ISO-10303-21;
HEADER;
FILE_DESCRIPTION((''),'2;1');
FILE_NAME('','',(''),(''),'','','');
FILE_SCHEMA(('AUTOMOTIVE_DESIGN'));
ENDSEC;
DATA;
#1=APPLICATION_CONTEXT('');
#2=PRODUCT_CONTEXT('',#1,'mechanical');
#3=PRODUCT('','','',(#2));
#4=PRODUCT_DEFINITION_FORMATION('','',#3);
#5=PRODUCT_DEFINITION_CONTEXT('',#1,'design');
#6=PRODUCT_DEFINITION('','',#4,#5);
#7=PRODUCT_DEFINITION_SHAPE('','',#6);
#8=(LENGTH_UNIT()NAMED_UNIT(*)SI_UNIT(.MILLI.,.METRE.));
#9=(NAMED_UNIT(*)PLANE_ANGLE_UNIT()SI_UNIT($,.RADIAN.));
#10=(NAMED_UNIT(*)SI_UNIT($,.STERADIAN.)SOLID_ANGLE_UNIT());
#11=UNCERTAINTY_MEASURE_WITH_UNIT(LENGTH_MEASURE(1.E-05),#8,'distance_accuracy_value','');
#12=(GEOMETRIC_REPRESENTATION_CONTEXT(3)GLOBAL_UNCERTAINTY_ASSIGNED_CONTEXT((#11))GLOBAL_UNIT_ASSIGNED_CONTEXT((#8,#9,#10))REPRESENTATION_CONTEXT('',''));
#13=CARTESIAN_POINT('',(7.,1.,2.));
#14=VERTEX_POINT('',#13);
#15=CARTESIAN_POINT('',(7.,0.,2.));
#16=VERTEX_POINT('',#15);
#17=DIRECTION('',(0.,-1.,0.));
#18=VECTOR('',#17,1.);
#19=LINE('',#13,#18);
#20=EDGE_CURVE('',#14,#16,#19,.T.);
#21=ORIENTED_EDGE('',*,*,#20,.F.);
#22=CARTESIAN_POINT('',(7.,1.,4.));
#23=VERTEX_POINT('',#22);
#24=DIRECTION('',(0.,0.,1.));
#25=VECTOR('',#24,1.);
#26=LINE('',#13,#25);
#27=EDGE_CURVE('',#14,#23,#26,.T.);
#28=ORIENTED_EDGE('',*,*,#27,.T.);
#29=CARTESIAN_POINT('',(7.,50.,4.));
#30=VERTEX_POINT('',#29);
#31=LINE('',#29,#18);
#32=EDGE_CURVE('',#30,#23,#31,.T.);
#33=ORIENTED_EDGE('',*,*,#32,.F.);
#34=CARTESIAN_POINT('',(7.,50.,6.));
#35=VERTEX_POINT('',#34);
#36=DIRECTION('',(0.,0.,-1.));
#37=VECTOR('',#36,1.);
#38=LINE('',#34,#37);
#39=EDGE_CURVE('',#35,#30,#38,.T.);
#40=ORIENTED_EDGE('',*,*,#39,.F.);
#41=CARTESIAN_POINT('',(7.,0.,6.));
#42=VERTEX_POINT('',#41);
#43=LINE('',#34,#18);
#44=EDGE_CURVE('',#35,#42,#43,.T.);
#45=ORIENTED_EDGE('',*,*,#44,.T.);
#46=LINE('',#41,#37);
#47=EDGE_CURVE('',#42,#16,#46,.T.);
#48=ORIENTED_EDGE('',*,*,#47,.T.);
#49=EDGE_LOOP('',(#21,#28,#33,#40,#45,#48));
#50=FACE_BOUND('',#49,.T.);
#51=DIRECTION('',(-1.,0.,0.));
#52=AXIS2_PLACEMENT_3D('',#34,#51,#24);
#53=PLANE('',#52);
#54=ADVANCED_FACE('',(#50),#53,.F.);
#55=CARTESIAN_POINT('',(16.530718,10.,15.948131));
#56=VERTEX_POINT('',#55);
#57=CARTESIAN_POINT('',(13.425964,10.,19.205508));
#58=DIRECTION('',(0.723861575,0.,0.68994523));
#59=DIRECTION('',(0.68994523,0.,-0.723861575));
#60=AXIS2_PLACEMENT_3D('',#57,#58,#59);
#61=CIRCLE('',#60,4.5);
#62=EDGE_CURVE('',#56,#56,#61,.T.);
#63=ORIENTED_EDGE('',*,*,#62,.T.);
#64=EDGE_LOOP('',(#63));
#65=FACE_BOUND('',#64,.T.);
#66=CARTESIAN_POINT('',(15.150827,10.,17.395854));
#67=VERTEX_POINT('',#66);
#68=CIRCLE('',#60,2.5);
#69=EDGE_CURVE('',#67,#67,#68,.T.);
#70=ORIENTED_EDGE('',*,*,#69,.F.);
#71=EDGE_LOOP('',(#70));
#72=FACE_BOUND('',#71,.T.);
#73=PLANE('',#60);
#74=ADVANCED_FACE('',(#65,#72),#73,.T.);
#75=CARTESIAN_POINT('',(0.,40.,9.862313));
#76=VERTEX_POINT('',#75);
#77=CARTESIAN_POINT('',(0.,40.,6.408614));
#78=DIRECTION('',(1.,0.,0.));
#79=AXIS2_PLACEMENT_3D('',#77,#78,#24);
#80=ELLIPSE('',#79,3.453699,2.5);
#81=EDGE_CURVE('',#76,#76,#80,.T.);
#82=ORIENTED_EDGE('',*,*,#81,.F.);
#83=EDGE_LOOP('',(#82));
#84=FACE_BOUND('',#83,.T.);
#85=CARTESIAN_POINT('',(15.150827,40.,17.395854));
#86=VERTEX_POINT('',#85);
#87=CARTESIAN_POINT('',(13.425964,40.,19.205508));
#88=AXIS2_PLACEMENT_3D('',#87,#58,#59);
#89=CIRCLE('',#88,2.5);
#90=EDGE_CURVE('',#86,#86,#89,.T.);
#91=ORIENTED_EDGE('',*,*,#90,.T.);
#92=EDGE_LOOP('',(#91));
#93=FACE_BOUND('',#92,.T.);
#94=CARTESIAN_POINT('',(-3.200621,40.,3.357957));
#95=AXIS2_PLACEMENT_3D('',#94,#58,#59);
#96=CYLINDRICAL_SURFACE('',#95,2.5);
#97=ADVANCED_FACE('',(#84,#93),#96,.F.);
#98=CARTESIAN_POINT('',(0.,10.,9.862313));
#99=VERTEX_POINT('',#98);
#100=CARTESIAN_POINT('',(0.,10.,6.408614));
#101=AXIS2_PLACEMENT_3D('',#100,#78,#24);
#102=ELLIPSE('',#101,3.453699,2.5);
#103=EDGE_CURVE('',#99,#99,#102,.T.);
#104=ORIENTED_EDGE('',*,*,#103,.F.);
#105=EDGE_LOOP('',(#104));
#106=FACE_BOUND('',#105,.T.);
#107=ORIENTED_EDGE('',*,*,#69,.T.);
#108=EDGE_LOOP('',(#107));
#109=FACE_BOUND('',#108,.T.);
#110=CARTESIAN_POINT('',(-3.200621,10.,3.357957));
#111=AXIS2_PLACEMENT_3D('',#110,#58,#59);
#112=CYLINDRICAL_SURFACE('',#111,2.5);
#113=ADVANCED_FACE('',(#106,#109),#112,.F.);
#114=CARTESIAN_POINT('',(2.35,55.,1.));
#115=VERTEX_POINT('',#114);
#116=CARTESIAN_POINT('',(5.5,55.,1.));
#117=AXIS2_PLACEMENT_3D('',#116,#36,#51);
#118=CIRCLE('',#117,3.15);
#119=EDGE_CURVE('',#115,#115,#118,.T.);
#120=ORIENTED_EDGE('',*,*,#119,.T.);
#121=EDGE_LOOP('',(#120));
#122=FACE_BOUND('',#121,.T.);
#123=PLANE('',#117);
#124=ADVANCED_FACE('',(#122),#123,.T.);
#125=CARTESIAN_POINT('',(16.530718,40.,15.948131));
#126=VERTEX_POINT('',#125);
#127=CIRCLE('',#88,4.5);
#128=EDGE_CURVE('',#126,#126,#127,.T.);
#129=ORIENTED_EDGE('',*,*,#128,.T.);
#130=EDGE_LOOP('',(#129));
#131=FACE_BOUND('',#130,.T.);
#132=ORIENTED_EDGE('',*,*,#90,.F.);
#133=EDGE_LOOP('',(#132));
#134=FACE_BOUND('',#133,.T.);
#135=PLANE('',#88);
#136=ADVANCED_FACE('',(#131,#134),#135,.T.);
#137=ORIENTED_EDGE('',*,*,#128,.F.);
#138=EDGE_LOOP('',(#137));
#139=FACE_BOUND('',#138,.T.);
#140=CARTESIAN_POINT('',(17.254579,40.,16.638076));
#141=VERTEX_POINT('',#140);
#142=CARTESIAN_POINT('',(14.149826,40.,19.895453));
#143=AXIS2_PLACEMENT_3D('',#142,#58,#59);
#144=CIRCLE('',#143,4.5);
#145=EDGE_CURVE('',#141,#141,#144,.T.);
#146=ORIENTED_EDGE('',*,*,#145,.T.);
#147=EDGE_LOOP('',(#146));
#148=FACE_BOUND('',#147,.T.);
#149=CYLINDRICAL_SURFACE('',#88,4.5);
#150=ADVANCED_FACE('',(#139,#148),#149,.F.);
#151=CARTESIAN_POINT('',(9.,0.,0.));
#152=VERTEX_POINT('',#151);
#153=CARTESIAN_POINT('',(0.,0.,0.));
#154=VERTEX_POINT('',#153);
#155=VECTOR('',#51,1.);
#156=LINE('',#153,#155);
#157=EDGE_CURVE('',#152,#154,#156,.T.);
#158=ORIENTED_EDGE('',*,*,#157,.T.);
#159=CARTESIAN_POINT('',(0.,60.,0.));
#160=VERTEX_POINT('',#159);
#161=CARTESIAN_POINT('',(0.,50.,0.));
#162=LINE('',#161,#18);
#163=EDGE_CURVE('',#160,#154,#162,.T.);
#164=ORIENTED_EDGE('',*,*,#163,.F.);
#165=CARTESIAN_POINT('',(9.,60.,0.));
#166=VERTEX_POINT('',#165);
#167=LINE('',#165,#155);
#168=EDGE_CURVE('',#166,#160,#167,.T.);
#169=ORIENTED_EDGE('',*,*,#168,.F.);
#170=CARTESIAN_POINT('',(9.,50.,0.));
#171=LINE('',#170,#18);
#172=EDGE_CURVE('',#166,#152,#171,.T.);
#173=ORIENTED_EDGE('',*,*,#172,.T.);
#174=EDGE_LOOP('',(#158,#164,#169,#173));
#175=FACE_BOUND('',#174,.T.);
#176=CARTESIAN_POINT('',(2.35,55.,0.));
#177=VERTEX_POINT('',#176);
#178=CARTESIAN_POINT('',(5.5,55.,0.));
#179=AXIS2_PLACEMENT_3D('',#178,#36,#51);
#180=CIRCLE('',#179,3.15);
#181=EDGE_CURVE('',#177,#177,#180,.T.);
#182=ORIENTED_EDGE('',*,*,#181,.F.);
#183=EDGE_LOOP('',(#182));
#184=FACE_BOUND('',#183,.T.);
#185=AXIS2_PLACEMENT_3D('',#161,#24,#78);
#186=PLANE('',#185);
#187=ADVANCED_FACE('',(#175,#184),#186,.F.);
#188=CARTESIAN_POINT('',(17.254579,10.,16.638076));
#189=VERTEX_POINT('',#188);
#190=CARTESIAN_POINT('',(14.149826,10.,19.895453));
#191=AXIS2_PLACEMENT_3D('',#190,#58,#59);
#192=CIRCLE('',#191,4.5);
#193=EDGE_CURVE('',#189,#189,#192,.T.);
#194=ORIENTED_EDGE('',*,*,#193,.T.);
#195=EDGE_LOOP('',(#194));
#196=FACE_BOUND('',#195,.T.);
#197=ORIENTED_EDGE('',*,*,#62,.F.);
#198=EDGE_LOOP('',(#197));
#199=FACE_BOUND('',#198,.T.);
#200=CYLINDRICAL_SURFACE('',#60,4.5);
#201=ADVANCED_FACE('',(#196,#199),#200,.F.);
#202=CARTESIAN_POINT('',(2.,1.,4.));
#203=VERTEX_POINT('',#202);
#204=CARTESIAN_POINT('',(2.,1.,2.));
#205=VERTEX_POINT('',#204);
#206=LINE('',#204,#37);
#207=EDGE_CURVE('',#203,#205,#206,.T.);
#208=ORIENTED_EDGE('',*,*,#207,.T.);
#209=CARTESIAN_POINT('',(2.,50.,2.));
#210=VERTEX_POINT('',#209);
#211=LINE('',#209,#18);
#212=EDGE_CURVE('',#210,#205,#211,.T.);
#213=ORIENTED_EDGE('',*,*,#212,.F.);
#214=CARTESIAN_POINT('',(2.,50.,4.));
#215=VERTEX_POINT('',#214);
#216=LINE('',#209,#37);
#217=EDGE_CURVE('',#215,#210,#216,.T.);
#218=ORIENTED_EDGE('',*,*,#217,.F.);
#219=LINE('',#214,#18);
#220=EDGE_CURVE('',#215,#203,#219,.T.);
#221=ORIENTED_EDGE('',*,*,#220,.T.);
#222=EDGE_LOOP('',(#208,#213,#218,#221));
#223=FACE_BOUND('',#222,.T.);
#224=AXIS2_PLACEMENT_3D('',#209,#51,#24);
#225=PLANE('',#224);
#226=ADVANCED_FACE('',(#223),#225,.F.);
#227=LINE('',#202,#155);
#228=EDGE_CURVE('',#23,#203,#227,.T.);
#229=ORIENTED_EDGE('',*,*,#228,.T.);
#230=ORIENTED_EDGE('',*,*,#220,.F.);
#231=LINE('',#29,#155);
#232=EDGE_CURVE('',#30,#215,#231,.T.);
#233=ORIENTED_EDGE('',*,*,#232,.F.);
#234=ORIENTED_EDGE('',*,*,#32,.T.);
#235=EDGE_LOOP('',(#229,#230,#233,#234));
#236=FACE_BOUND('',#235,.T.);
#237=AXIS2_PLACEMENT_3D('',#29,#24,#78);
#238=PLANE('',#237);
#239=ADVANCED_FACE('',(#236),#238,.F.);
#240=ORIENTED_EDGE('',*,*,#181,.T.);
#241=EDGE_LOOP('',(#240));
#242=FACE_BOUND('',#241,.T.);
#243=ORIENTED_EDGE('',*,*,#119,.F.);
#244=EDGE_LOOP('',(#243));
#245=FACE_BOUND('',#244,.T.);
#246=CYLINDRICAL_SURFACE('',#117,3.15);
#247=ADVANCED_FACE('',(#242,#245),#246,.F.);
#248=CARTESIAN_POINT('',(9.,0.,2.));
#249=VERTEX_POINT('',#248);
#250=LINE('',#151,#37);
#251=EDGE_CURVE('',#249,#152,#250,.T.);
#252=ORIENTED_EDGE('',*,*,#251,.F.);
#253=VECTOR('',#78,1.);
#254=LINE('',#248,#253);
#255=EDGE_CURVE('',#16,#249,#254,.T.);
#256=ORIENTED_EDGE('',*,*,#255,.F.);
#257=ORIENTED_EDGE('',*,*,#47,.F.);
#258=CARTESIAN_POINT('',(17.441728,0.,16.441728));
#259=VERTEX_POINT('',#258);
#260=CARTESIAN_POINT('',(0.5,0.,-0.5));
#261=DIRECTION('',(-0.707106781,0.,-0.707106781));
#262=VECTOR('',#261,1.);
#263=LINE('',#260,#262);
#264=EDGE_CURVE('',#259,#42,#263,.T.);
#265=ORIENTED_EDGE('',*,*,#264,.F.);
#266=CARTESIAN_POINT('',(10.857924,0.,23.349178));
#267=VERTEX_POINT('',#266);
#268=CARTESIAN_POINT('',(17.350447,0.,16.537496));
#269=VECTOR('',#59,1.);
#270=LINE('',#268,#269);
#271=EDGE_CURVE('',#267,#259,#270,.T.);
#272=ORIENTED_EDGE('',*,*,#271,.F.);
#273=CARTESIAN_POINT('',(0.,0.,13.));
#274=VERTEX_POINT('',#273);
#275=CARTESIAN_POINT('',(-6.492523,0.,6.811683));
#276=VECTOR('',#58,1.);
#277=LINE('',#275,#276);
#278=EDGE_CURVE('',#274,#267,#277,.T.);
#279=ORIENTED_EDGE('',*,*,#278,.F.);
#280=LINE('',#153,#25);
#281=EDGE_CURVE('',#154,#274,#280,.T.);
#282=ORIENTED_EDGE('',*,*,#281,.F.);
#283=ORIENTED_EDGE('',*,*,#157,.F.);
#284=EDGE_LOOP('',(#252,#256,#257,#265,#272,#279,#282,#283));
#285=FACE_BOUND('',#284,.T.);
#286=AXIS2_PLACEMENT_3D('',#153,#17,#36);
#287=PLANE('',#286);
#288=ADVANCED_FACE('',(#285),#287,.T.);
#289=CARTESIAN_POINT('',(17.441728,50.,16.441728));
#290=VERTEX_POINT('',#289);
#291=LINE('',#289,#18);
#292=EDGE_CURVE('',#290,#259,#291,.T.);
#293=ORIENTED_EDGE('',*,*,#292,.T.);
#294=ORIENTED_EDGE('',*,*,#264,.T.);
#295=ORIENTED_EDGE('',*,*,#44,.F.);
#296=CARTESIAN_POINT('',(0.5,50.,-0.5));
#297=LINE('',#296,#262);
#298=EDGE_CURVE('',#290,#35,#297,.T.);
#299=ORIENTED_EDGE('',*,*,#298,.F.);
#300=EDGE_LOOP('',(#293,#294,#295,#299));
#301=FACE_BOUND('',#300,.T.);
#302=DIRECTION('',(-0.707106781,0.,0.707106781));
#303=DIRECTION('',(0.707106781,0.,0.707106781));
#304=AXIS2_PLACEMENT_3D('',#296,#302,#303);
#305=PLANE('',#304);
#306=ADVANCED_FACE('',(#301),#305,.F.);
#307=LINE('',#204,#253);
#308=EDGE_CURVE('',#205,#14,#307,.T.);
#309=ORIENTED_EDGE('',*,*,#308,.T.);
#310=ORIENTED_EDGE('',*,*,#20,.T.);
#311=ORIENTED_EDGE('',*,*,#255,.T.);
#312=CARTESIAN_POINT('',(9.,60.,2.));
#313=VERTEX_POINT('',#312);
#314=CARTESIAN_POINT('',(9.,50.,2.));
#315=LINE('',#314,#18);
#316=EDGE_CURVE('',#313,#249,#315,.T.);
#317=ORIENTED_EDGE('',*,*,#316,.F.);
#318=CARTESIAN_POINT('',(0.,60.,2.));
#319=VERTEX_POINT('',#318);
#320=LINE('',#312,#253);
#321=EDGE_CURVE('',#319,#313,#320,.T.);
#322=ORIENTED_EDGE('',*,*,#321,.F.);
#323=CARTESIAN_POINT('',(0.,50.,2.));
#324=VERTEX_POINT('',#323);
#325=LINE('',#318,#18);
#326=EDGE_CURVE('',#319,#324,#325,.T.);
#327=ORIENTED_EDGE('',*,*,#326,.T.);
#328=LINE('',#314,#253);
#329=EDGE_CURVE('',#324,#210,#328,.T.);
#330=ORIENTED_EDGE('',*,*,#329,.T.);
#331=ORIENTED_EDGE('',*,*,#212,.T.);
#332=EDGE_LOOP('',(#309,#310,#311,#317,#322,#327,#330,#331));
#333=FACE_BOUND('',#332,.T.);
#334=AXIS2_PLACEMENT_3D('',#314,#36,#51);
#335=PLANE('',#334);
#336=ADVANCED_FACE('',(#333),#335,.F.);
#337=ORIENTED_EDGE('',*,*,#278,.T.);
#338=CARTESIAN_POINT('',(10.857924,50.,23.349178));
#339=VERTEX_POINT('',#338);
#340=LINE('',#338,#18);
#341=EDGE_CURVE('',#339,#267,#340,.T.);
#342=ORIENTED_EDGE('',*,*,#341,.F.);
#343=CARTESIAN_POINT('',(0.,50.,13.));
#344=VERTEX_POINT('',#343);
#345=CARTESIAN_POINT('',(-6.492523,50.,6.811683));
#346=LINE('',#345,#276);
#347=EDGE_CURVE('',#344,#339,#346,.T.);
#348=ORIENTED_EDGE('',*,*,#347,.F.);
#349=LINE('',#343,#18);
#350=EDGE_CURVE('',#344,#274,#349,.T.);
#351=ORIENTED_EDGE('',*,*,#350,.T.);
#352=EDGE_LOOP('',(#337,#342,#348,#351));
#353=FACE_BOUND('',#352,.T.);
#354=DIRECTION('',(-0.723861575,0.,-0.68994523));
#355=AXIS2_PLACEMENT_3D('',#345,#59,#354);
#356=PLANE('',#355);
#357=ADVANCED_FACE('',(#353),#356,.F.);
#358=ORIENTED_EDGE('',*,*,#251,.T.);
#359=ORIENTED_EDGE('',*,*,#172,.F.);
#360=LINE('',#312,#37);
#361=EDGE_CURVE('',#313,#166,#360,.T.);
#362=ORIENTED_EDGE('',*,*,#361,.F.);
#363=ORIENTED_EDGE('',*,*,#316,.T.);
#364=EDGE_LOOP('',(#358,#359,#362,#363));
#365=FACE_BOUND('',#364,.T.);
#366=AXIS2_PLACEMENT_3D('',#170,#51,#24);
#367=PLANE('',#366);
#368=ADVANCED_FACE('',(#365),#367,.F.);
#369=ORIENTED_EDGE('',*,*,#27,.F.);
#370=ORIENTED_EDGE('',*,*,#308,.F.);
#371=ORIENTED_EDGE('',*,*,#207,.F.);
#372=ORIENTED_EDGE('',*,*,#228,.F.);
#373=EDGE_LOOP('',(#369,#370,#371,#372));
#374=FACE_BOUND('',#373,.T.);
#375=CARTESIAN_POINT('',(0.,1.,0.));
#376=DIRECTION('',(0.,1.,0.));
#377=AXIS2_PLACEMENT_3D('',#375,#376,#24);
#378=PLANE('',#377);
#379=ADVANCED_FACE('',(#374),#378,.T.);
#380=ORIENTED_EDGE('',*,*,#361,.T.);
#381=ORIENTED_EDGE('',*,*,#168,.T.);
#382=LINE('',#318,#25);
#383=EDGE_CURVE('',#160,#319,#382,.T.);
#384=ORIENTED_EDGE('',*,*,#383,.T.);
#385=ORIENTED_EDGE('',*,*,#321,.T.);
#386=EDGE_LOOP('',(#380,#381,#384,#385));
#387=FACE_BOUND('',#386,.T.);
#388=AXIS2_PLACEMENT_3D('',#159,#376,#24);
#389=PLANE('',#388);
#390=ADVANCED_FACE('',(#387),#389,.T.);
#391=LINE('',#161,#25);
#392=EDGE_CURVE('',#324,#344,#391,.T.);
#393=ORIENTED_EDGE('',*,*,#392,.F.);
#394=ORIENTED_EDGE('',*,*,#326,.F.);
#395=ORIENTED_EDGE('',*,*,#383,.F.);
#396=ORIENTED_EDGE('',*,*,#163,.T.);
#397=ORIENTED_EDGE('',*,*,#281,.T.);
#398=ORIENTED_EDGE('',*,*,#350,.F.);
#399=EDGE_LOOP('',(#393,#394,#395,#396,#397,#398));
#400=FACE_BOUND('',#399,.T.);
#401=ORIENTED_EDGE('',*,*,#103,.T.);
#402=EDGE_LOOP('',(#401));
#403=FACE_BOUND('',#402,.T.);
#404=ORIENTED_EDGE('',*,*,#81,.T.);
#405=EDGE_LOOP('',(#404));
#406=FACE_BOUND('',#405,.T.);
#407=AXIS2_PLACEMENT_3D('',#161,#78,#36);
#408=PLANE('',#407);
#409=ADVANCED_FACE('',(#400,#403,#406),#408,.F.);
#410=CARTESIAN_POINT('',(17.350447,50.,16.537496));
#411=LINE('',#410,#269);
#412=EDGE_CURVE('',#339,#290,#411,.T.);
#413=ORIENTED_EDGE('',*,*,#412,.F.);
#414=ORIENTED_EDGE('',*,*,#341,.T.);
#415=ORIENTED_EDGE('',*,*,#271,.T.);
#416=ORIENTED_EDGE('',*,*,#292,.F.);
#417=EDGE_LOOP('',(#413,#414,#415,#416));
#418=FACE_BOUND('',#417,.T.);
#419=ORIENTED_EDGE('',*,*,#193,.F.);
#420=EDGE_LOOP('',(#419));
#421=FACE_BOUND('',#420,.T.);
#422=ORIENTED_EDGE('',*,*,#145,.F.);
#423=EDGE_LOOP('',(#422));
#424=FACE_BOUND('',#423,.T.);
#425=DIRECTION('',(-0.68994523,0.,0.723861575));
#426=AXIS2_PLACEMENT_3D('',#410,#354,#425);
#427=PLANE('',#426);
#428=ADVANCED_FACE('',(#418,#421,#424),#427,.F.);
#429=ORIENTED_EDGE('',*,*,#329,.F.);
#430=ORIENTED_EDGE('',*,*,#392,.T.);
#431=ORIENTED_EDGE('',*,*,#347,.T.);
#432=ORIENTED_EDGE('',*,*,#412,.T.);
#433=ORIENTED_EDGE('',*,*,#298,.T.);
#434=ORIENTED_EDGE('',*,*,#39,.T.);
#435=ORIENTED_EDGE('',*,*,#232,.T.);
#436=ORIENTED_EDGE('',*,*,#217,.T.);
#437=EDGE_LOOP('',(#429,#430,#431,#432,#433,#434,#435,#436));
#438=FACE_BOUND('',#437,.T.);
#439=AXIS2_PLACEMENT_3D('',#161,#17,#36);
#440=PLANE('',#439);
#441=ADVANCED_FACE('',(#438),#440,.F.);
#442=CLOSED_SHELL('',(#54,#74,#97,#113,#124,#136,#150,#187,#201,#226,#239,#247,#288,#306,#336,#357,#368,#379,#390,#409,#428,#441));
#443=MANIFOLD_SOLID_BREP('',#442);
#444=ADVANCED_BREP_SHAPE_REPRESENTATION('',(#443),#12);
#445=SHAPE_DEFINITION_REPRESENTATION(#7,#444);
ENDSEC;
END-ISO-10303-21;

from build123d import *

# Parameters (mm, degrees)
BOSS_EXTRUDE1_DEPTH = 50
SKETCH2_W           = 9
SKETCH2_H           = 2
BOSS_EXTRUDE2_DEPTH = 10
SKETCH3_R           = 3.15
CUT_EXTRUDE1_DEPTH  = 1
BOSS_EXTRUDE3_DEPTH = 50
SKETCH5_W           = 5
SKETCH5_H           = 2
BOSS_EXTRUDE4_DEPTH = 1
SKETCH6_R           = 4.5
SKETCH6_R_2         = 2.5
CUT_EXTRUDE2_DEPTH  = 1
SKETCH6_2_R         = 2.5
CUT_EXTRUDE3_DEPTH  = 65.610577824


with BuildPart() as part:
    # Sketch1 → Boss-Extrude1 (new body)
    with BuildSketch(Plane(origin=(0, 0, 0), x_dir=(1, 0, 0), z_dir=(0, 1, 0))):
        Polygon((0, 0), (0, -6), (7, -6), (7, -4), (2, -4), (2, -2), (9, -2), (9, 0), align=None)
    extrude(amount=BOSS_EXTRUDE1_DEPTH)

    # Sketch2 → Boss-Extrude2 (add)
    with BuildSketch(Plane(origin=(0, 50, 0), x_dir=(1, 0, 0), z_dir=(0, 1, 0))):
        with Locations((4.5, -1)):
            Rectangle(SKETCH2_W, SKETCH2_H)
    extrude(amount=BOSS_EXTRUDE2_DEPTH)

    # Sketch3 → Cut-Extrude1 (cut)
    with BuildSketch(Plane(origin=(0, 0, 0), x_dir=(-1, 0, 0), z_dir=(0, 0, -1))):
        with Locations((-5.5, 55)):
            Circle(SKETCH3_R)
    extrude(amount=-CUT_EXTRUDE1_DEPTH, mode=Mode.SUBTRACT)

    # Sketch4 → Boss-Extrude3 (add)
    with BuildSketch(Plane.XZ):
        Polygon((0, 6), (7, 6), (17.441727636, 16.441727636), (10.857923623, 23.349178451), (0, 13), align=None)
    extrude(amount=-BOSS_EXTRUDE3_DEPTH)

    # Sketch5 → Boss-Extrude4 (add)
    with BuildSketch(Plane.XZ):
        with Locations((4.5, 3)):
            Rectangle(SKETCH5_W, SKETCH5_H)
    extrude(amount=-BOSS_EXTRUDE4_DEPTH)

    # Sketch6 → Cut-Extrude2 (cut)
    # profile 1 of 2: a face of its own
    with BuildSketch(Plane(origin=(17.350446553, 0, 16.537495917), x_dir=(0.6899452300561162, 0, -0.7238615748351429), z_dir=(0.7238615748351429, 0, 0.6899452300561162))):
        with Locations((-4.638949273, 40)):
            Circle(SKETCH6_R)
        with Locations((-4.638949273, 40)):
            Circle(SKETCH6_R_2, mode=Mode.SUBTRACT)
    # profile 2 of 2: a face of its own
    with BuildSketch(Plane(origin=(17.350446553, 0, 16.537495917), x_dir=(0.6899452300561162, 0, -0.7238615748351429), z_dir=(0.7238615748351429, 0, 0.6899452300561162))):
        with Locations((-4.638949273, 10)):
            Circle(SKETCH6_R)
        with Locations((-4.638949273, 10)):
            Circle(SKETCH6_R_2, mode=Mode.SUBTRACT)
    extrude(amount=-CUT_EXTRUDE2_DEPTH, mode=Mode.SUBTRACT)

    # Sketch6<2> → Cut-Extrude3 (cut, through all)
    with BuildSketch(Plane(origin=(17.350446553, 0, 16.537495917), x_dir=(0.6899452300561162, 0, -0.7238615748351429), z_dir=(0.7238615748351429, 0, 0.6899452300561162))):
        with Locations((-4.638949273, 40)):
            Circle(SKETCH6_2_R)
        with Locations((-4.638949273, 10)):
            Circle(SKETCH6_2_R)
    extrude(amount=-CUT_EXTRUDE3_DEPTH, mode=Mode.SUBTRACT)


solid = part.part
